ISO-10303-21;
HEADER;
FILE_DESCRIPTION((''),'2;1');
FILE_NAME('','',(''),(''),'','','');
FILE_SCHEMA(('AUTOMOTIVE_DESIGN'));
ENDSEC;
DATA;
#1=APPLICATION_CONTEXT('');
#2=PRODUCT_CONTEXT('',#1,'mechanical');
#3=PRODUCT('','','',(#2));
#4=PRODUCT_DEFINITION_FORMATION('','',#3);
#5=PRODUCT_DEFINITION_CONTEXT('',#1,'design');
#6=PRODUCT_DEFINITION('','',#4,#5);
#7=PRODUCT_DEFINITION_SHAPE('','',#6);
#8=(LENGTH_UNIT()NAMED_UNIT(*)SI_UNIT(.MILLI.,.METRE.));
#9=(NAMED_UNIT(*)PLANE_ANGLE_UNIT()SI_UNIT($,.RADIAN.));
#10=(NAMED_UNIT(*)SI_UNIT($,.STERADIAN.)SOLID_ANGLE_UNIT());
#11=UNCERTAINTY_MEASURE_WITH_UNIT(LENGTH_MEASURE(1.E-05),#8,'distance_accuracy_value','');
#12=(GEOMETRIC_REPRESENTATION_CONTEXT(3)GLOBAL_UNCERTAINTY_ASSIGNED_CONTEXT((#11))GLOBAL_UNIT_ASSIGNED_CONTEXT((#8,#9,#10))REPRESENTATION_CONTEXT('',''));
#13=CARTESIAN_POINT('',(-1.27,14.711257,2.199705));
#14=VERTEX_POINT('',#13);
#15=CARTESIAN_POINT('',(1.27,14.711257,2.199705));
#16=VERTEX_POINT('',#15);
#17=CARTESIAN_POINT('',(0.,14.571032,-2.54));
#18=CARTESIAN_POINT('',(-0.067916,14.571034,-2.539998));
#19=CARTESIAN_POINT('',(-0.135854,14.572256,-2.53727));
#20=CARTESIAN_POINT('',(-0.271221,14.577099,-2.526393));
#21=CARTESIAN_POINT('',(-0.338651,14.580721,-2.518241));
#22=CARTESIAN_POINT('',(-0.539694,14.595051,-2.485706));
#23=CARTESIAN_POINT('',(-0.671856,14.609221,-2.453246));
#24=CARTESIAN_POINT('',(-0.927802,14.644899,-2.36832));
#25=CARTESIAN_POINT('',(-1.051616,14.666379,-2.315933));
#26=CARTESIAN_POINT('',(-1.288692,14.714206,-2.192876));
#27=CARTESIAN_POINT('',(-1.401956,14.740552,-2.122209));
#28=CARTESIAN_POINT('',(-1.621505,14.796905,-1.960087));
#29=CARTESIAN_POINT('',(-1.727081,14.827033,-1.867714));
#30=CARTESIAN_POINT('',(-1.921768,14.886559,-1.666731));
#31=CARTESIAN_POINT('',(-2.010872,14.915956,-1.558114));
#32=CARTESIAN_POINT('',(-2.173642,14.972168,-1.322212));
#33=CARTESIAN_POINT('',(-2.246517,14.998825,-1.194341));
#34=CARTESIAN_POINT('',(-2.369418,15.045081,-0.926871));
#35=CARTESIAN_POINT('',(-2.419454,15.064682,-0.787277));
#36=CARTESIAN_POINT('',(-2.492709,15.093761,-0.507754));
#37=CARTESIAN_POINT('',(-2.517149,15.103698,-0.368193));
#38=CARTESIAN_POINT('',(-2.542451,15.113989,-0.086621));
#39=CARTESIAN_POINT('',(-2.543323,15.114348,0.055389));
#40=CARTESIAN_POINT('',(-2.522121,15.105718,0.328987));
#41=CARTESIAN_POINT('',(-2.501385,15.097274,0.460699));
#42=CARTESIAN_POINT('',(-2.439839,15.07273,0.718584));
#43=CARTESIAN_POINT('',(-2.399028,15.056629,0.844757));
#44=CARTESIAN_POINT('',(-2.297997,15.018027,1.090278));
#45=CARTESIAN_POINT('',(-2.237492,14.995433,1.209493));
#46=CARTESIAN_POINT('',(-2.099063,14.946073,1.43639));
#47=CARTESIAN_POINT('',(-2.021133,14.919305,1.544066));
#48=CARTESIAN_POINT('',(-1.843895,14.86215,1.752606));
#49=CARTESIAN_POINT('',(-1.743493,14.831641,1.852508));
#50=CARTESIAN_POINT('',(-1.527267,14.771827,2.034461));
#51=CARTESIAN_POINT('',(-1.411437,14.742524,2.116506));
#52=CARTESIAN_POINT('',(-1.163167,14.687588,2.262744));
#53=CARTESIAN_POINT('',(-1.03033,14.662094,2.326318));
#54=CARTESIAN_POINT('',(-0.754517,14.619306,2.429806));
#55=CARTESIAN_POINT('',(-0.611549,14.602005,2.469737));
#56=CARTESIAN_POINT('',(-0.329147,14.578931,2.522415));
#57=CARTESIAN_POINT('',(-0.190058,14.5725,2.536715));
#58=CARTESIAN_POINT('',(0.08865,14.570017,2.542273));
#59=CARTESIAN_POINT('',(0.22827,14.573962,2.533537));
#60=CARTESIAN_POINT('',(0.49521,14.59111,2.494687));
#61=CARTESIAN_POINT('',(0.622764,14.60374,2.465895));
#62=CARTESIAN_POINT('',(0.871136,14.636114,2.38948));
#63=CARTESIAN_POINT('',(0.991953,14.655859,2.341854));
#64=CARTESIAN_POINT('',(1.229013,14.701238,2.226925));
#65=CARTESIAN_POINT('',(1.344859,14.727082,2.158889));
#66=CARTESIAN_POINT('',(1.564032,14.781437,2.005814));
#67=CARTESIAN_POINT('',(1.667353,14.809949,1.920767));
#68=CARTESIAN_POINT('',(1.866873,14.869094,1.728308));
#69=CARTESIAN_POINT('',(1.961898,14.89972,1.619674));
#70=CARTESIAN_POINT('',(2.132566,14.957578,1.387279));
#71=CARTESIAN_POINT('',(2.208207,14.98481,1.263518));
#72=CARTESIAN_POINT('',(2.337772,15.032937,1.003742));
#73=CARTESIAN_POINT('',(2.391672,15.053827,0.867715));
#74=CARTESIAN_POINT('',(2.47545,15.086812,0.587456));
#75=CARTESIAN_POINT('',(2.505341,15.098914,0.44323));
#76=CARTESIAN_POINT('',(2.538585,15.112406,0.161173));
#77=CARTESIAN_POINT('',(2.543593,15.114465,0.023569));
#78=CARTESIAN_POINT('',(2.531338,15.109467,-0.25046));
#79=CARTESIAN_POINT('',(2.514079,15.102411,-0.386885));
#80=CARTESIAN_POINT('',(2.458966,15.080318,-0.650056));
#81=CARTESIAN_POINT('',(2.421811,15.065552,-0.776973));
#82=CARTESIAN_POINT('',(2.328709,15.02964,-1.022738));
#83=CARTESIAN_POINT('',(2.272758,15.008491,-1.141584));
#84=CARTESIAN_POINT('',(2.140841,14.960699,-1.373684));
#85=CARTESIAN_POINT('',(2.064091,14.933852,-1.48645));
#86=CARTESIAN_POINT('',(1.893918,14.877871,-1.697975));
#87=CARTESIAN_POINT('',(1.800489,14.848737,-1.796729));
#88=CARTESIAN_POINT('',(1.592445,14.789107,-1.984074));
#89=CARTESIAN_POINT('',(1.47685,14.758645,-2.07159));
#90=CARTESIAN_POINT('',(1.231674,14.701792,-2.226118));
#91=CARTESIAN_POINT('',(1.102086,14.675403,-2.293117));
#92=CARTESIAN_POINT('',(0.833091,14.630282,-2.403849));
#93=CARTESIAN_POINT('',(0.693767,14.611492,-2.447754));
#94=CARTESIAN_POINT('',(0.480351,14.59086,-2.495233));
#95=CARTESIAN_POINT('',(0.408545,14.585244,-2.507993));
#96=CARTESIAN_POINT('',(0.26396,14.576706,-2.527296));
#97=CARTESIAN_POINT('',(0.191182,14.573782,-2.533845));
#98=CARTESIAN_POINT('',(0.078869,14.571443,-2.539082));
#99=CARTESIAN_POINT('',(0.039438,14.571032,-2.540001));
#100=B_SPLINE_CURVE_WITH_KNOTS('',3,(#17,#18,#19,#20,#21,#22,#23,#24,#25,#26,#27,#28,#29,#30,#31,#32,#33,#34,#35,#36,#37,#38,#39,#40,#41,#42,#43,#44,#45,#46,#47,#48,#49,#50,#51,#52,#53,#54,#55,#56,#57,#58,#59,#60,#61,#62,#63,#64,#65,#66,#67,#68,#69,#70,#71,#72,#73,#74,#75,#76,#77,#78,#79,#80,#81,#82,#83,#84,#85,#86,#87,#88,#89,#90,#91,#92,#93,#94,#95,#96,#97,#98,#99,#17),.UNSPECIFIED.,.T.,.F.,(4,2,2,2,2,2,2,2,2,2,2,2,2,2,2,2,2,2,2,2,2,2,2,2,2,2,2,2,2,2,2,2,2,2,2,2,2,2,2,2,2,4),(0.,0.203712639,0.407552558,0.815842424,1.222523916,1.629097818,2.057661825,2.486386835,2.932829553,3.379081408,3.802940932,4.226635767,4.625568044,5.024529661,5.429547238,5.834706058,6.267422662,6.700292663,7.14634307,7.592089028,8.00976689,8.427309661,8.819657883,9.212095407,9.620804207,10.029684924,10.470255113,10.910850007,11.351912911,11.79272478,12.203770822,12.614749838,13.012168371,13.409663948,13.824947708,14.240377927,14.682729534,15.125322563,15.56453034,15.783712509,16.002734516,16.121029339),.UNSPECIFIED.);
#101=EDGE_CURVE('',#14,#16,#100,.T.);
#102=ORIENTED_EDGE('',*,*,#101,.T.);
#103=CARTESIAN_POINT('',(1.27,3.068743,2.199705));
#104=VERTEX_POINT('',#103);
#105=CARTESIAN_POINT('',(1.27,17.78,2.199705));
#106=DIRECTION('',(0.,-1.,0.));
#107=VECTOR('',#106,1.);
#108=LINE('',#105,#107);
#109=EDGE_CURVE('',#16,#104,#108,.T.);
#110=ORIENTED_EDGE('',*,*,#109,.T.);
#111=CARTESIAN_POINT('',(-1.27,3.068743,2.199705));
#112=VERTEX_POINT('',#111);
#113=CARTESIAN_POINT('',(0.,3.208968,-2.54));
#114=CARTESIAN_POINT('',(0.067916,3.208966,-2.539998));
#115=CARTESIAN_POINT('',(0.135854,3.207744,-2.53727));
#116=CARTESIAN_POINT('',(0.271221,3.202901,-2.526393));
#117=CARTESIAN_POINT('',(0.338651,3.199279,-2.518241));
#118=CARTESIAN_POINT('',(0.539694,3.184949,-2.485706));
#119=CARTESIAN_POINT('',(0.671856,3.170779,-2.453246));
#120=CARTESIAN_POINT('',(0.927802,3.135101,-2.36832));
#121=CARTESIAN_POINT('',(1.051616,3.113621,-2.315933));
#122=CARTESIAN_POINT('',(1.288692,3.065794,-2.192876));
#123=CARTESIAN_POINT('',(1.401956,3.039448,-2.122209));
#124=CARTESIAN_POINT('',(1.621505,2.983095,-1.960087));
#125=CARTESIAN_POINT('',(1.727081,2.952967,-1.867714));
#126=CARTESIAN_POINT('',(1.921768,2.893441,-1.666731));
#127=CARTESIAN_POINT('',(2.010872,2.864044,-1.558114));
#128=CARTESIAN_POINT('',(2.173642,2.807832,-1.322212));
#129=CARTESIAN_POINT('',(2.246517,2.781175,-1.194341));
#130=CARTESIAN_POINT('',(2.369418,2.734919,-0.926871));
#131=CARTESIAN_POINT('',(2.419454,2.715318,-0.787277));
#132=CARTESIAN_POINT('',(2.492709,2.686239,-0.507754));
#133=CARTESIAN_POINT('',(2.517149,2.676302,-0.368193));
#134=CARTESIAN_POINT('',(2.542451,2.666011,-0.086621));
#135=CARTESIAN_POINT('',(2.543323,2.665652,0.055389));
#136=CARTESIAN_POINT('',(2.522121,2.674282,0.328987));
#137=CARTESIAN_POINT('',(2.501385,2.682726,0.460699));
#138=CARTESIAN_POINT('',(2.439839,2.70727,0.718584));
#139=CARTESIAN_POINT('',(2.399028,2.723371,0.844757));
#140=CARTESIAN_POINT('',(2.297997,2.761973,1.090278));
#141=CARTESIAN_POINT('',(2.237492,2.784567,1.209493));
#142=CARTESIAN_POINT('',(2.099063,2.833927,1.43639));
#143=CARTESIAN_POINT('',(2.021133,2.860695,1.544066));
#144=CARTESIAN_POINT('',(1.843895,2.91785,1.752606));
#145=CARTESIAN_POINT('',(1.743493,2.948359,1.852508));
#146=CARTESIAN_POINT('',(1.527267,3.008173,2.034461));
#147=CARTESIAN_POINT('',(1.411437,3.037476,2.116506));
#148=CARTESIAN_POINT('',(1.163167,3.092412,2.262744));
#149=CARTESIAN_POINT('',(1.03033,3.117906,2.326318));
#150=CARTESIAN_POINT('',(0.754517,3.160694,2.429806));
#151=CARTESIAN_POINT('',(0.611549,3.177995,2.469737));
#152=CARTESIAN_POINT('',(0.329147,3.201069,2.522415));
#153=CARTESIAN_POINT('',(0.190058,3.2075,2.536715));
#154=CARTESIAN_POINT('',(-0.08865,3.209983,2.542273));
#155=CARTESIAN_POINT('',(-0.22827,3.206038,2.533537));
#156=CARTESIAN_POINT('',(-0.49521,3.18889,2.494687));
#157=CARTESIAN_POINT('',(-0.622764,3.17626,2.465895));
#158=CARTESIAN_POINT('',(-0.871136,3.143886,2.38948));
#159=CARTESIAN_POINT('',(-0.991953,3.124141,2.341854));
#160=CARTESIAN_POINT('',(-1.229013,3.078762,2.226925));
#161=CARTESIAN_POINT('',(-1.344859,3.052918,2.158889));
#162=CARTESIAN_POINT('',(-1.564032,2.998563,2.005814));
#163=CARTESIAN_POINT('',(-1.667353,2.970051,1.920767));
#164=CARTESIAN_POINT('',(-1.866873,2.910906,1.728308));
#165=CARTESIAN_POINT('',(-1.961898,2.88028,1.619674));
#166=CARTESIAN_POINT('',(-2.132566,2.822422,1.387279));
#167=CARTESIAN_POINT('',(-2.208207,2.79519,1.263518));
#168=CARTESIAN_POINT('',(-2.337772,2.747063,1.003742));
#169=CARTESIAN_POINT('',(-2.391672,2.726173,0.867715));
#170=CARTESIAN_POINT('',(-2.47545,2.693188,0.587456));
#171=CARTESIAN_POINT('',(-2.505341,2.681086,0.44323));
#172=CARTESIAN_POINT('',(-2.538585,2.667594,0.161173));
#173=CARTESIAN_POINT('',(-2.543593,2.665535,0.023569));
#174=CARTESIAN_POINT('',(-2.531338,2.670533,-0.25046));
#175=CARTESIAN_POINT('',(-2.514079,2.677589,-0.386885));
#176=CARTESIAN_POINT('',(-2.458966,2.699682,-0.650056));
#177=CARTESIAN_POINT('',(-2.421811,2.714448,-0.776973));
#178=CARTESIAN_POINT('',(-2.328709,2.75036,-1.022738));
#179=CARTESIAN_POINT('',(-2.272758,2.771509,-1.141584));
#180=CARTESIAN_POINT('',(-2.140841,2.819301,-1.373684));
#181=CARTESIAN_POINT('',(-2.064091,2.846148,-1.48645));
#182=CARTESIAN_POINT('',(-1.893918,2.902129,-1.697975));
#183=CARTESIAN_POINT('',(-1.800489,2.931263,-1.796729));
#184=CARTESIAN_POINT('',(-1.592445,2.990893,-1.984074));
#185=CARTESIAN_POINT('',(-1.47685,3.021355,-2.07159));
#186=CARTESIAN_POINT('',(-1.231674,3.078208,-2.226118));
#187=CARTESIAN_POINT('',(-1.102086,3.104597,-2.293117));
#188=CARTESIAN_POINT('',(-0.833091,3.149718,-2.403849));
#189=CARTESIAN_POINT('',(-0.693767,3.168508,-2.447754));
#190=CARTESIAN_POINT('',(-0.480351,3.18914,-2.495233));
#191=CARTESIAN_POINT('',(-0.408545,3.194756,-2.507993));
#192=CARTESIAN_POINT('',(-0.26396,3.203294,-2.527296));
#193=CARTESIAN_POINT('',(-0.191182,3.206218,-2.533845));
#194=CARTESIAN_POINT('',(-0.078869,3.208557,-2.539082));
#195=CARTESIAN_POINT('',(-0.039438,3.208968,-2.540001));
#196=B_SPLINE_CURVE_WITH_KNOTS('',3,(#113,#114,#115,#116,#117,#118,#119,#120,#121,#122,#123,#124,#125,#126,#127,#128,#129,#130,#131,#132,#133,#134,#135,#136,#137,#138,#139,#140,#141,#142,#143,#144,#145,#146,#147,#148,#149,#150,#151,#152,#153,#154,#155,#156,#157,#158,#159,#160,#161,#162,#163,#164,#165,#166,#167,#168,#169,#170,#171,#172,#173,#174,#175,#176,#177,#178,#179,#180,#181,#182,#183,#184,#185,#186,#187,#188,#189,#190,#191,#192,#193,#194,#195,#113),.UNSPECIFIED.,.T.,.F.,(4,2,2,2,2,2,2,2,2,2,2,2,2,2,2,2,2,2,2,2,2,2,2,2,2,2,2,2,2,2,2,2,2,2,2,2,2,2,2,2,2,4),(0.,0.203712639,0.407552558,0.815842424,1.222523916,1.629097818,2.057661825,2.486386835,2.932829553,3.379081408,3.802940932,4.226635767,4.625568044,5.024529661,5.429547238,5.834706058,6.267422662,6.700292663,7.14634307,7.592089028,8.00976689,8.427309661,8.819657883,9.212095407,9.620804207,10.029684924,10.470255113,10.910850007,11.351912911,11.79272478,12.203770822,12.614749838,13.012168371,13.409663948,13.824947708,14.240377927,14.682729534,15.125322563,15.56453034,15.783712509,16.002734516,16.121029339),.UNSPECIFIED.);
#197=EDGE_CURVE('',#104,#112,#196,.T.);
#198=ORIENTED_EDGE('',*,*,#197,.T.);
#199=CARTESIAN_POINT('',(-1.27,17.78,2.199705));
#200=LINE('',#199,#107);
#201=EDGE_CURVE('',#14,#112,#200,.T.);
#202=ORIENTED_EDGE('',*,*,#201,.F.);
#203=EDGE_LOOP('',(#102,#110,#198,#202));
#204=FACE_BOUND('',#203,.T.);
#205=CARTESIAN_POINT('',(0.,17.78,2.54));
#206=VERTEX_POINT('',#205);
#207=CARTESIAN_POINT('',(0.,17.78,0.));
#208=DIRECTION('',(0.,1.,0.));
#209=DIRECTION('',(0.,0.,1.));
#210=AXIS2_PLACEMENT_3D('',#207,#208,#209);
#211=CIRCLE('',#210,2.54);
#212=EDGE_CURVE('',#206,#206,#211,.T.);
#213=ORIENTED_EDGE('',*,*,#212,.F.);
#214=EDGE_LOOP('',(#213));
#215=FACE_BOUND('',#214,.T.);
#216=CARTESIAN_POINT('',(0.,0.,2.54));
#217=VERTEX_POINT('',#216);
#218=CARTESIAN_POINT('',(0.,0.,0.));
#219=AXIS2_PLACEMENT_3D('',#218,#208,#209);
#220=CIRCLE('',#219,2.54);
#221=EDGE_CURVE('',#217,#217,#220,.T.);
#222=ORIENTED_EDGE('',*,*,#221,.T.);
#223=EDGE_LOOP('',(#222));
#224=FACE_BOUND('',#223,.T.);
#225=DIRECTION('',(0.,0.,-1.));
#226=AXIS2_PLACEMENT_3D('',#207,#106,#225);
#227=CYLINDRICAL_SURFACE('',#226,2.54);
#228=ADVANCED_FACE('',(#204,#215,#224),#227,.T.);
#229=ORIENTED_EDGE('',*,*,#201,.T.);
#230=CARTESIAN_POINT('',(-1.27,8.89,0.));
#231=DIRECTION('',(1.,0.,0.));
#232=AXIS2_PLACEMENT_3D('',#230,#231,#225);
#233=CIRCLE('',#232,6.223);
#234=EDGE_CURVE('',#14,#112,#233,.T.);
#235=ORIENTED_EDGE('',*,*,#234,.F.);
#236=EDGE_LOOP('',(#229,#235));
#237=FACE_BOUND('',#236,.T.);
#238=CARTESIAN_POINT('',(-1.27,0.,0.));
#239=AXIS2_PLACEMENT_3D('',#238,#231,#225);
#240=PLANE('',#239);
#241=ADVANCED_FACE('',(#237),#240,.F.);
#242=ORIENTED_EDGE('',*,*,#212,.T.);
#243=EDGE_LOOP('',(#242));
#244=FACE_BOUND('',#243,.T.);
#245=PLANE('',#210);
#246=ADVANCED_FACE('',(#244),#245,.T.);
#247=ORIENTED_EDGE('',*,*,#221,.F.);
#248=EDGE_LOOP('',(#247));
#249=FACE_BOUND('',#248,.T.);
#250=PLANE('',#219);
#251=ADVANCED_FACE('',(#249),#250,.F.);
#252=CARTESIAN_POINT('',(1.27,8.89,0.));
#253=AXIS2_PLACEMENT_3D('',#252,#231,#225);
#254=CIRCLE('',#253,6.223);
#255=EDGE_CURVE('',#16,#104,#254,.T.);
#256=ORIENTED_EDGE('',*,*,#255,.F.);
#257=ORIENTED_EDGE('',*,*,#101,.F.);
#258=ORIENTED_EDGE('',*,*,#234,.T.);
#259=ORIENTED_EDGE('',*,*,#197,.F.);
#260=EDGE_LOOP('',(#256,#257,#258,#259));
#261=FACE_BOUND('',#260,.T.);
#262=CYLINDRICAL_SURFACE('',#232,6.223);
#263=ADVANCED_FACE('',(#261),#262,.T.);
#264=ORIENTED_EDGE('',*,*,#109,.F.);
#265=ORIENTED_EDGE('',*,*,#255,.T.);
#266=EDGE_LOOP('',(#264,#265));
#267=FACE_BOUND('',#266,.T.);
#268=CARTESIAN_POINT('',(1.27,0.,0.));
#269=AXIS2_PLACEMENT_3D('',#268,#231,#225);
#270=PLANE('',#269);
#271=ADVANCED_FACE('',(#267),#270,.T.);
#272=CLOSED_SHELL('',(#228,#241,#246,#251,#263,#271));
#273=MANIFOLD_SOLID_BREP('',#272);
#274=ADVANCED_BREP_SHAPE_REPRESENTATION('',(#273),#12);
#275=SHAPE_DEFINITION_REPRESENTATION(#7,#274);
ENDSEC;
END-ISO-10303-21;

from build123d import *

# Parameters (mm, degrees)
SKETCH1_R                = 2.54
BOSS_EXTRUDE1_DEPTH      = 17.78
BOSS_EXTRUDE2_DEPTH      = 1.27
BOSS_EXTRUDE2_DEPTH_BACK = 1.27


with BuildPart() as part:
    # Sketch1 → Boss-Extrude1 (new body)
    with BuildSketch(Plane(origin=(0, 0, 0), x_dir=(1, 0, 0), z_dir=(0, 1, 0))):
        Circle(SKETCH1_R)
    extrude(amount=BOSS_EXTRUDE1_DEPTH)

    # Sketch2 → Boss-Extrude2 (add, two sides: drawn at the far end of the back side and taken through both)
    with BuildSketch(Plane(origin=(0, 0, 0), x_dir=(0, 0, -1), z_dir=(1, 0, 0)).offset(-BOSS_EXTRUDE2_DEPTH_BACK)):
        with BuildLine():
            Line((0, 2.667), (0, 15.113))
            ThreePointArc((0, 15.113), (-6.223, 8.89), (0, 2.667))
        make_face()
    extrude(amount=BOSS_EXTRUDE2_DEPTH + BOSS_EXTRUDE2_DEPTH_BACK)


solid = part.part
